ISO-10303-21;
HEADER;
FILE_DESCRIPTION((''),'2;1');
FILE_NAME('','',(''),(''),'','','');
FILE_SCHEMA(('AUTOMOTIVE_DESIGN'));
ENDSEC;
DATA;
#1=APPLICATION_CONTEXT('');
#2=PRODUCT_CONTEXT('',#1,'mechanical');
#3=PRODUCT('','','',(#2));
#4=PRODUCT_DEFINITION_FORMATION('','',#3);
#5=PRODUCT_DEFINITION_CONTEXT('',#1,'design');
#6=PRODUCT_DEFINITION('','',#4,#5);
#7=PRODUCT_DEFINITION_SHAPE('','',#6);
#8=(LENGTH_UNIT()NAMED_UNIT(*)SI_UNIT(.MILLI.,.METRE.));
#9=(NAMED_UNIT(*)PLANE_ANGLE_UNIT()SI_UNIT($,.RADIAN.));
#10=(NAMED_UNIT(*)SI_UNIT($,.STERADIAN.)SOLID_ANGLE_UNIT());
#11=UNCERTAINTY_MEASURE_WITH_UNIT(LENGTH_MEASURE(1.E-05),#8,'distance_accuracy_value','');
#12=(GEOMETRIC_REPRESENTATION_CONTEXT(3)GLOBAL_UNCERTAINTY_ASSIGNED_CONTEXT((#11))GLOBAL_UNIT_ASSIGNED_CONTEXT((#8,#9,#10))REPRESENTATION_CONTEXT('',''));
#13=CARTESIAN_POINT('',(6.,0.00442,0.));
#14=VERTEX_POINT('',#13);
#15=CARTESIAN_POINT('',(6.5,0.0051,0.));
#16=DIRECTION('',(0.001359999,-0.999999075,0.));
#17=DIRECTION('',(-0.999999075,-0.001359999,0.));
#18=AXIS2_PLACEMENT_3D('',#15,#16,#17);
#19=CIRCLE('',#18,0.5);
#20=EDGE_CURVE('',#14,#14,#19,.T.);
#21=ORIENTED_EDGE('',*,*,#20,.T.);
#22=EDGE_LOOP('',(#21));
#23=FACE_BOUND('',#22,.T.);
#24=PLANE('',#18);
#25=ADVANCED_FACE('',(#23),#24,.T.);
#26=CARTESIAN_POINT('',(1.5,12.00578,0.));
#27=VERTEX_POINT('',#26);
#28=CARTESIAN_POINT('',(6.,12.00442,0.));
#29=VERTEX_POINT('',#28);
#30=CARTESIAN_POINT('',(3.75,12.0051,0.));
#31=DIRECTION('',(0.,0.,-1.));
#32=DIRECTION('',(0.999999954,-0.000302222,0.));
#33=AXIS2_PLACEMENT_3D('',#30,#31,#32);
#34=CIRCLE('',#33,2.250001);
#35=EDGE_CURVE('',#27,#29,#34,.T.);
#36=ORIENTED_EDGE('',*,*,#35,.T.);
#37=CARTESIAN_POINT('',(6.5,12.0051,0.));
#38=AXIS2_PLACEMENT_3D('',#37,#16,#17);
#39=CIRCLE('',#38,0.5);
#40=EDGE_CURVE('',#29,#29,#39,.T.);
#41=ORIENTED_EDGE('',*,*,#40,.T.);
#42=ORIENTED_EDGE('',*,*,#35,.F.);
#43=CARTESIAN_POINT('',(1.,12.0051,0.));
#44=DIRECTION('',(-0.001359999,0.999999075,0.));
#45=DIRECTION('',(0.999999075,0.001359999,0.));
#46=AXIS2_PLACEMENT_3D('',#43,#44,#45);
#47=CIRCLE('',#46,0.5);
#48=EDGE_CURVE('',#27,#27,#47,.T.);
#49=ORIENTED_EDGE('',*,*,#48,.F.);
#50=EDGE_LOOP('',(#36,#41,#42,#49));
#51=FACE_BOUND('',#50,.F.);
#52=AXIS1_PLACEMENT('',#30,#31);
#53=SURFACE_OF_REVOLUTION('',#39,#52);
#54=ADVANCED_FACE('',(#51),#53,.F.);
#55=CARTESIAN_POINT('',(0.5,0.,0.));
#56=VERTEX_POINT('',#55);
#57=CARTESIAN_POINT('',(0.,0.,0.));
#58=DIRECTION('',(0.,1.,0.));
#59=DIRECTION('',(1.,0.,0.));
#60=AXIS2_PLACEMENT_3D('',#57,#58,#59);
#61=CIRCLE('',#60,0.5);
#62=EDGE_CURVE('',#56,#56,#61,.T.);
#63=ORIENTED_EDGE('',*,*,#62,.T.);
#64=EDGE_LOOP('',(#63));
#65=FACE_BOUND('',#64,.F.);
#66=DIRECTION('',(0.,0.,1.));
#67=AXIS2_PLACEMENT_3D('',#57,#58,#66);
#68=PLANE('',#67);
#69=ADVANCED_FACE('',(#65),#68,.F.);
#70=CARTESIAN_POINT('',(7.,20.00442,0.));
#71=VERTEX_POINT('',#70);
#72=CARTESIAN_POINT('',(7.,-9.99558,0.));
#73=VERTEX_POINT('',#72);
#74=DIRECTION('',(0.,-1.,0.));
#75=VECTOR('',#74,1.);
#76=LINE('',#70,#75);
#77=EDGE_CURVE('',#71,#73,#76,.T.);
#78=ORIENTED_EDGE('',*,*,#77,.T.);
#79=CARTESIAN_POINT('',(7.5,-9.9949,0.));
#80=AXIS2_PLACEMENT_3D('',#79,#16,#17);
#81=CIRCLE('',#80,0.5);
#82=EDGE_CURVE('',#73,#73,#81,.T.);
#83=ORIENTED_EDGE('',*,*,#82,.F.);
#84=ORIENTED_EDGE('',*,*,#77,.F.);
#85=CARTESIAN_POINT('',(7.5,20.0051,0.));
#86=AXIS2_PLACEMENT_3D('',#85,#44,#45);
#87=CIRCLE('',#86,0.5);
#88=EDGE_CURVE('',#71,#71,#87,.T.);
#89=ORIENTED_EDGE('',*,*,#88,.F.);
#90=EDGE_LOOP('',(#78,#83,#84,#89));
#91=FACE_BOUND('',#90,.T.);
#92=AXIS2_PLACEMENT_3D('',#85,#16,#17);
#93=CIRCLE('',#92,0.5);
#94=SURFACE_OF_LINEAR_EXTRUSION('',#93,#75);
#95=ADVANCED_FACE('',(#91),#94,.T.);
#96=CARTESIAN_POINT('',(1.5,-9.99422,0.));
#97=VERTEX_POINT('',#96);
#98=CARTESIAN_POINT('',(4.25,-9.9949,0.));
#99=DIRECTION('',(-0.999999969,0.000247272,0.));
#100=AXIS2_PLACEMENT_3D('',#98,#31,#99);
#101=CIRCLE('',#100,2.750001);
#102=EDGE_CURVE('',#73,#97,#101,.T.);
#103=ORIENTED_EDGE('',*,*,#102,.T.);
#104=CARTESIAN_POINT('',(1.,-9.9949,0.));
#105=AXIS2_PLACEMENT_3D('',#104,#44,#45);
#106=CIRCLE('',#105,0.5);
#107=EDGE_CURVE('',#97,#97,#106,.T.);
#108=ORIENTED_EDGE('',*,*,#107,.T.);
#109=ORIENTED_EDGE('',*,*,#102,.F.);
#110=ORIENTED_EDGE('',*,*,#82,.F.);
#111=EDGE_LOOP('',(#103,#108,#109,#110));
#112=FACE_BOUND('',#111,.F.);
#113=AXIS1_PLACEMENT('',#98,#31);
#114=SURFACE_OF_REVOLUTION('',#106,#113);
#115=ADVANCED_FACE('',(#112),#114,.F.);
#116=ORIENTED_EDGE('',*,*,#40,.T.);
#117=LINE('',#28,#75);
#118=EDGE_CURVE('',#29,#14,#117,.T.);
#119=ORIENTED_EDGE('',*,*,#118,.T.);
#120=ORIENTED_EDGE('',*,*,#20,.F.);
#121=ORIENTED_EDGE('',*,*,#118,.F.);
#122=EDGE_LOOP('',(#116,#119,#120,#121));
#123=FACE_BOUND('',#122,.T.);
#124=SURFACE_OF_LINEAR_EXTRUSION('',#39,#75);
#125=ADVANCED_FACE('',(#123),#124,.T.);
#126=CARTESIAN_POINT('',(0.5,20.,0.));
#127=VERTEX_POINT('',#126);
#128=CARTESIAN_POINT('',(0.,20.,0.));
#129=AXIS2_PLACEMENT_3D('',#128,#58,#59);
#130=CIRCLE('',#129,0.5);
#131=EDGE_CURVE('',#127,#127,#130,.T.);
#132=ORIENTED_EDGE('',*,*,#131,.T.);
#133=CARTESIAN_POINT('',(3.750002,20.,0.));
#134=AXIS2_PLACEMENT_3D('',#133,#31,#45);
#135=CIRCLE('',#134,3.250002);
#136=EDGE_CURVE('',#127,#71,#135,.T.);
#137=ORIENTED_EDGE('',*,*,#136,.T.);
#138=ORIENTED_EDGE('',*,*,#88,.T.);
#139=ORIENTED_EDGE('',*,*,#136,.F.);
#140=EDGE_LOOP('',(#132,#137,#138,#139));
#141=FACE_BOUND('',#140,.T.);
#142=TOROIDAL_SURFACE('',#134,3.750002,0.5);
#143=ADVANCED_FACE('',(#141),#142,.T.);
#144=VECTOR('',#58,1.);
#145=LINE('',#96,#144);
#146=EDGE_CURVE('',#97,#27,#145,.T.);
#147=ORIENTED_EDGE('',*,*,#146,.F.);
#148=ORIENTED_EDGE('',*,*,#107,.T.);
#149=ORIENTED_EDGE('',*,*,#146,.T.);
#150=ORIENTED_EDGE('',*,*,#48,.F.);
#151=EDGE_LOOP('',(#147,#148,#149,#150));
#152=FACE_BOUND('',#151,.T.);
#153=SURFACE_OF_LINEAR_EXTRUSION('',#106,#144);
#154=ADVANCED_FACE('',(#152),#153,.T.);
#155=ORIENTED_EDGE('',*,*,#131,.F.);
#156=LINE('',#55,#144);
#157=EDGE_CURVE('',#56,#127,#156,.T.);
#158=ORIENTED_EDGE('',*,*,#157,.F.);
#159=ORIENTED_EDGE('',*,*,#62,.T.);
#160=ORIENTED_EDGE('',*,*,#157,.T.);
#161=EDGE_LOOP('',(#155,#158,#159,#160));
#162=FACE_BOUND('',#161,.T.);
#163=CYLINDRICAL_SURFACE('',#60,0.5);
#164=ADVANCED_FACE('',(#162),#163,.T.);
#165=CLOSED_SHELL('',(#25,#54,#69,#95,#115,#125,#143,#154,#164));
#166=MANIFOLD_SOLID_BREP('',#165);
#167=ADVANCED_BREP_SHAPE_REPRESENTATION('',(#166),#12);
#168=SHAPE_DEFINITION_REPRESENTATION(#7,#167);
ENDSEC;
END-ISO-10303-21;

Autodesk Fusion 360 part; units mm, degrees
sketch "草图1" plane through (0, 0, 0) normal (0, 0, 1) x (1, 0, 0) in component "paper clip"
  line L0 (0, 0) -> (0, 20)
  arc A0 (7.5, 20.0051) -> (0, 20) centre (3.75, 20) ccw
  line L1 (7.5, 20.0051) -> (7.5, -9.9949)
  arc A1 (1, -9.9949) -> (7.5, -9.9949) centre (4.25, -9.9949) ccw
  line L2 (1, -9.9949) -> (1, 12.0051)
  arc A2 (6.5, 12.0051) -> (1, 12.0051) centre (3.75, 12.0051) ccw
  line L3 (6.5, 12.0051) -> (6.5, 0.0051)
  dimension "d1" = 20
  dimension "d2" = 7.5
  dimension "d3" = 30
  dimension "d4" = 22
  dimension "d5" = 12
sketch "草图2" plane through (0, 0, 0) normal (0, 1, 0) x (1, 0, 0) in component "paper clip"
  circle A0 centre (0, 0) radius 0.5
  dimension "d6" = 1
sweep "扫掠1" add profiles "草图2" path "草图1" along L0 A0 L1 A1 L2 A2 L3 section 1 in component "paper clip"
component "paper clip" placed x (1, 0, 0) y (0, 1, 0) z (0, 0, 1) at (0, 0, 0)
